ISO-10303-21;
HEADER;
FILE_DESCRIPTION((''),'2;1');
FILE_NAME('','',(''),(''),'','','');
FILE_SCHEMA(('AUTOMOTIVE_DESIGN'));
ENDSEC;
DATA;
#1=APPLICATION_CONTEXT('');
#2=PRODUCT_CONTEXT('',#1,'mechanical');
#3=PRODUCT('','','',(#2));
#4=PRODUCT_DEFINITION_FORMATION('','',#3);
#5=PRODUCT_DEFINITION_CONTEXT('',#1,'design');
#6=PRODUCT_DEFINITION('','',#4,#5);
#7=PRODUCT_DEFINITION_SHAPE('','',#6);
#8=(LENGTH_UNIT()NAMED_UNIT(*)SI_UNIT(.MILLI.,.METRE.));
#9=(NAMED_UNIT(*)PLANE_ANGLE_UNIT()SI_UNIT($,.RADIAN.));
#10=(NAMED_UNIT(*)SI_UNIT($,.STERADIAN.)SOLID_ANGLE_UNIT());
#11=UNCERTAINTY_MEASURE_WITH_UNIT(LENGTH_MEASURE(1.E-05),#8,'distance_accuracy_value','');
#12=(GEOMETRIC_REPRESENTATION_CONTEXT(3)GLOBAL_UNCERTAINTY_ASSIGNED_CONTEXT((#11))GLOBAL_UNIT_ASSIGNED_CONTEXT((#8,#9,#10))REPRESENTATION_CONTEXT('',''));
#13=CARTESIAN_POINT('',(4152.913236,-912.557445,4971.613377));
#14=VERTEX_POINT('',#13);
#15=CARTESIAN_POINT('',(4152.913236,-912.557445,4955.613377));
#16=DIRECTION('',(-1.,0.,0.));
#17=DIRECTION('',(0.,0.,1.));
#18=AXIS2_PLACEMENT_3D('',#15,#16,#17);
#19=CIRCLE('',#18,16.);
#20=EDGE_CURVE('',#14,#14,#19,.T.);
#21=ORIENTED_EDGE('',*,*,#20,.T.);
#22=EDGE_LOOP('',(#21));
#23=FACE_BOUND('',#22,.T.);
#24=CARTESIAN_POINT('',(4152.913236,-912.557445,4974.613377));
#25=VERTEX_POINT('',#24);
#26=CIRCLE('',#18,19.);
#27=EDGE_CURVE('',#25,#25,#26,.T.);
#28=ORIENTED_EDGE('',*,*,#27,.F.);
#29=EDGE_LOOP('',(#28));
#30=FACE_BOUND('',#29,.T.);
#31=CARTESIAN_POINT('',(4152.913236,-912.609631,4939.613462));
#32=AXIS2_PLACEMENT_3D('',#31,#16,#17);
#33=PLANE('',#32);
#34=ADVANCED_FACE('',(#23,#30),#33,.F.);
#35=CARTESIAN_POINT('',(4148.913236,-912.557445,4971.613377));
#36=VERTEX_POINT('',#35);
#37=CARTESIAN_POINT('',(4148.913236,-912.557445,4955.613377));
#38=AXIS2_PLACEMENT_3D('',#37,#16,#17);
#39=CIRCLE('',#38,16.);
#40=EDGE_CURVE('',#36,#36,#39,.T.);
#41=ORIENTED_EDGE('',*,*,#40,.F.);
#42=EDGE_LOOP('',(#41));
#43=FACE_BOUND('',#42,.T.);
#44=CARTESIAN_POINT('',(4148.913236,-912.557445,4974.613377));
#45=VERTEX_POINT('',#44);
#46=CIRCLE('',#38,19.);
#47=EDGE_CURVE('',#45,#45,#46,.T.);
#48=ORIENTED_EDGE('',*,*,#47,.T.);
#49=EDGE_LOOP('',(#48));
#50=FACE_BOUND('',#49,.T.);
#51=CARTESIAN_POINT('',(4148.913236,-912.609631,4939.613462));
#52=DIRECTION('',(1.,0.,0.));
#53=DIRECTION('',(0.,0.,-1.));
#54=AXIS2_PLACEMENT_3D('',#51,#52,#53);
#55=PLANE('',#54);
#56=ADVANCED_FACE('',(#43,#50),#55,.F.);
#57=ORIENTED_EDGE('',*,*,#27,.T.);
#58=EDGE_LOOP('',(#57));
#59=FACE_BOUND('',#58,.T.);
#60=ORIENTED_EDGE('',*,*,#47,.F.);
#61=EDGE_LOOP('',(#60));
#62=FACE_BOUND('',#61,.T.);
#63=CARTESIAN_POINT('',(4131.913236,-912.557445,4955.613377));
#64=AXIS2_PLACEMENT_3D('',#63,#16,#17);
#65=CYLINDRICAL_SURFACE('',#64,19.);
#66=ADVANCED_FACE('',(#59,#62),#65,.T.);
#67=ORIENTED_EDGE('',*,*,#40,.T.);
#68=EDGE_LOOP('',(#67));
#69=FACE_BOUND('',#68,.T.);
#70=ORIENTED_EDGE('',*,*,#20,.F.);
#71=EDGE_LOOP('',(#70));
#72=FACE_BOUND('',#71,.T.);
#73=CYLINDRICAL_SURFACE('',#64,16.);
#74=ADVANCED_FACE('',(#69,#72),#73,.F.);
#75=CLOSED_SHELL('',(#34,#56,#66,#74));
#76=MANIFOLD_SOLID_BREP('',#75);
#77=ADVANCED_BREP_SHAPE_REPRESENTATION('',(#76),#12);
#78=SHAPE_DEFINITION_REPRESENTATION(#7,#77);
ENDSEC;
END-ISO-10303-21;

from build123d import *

# Parameters (mm, degrees)
SKETCH_1_W = 4
SKETCH_1_H = 3


with BuildPart() as part:
    # 草图1 → 旋转1 (revolve)
    with BuildSketch(Plane(origin=(0, -928.71077907, 3.029080223), x_dir=(1, 0, 0), z_dir=(0, 0.999994681, -0.00326158))):
        with Locations((4150.913235594, -4935.110639877)):
            Rectangle(SKETCH_1_W, SKETCH_1_H)
    revolve(axis=Axis((4131.913235594, -912.557445345, 4955.613377338), (1, 0, 0)))


solid = part.part
